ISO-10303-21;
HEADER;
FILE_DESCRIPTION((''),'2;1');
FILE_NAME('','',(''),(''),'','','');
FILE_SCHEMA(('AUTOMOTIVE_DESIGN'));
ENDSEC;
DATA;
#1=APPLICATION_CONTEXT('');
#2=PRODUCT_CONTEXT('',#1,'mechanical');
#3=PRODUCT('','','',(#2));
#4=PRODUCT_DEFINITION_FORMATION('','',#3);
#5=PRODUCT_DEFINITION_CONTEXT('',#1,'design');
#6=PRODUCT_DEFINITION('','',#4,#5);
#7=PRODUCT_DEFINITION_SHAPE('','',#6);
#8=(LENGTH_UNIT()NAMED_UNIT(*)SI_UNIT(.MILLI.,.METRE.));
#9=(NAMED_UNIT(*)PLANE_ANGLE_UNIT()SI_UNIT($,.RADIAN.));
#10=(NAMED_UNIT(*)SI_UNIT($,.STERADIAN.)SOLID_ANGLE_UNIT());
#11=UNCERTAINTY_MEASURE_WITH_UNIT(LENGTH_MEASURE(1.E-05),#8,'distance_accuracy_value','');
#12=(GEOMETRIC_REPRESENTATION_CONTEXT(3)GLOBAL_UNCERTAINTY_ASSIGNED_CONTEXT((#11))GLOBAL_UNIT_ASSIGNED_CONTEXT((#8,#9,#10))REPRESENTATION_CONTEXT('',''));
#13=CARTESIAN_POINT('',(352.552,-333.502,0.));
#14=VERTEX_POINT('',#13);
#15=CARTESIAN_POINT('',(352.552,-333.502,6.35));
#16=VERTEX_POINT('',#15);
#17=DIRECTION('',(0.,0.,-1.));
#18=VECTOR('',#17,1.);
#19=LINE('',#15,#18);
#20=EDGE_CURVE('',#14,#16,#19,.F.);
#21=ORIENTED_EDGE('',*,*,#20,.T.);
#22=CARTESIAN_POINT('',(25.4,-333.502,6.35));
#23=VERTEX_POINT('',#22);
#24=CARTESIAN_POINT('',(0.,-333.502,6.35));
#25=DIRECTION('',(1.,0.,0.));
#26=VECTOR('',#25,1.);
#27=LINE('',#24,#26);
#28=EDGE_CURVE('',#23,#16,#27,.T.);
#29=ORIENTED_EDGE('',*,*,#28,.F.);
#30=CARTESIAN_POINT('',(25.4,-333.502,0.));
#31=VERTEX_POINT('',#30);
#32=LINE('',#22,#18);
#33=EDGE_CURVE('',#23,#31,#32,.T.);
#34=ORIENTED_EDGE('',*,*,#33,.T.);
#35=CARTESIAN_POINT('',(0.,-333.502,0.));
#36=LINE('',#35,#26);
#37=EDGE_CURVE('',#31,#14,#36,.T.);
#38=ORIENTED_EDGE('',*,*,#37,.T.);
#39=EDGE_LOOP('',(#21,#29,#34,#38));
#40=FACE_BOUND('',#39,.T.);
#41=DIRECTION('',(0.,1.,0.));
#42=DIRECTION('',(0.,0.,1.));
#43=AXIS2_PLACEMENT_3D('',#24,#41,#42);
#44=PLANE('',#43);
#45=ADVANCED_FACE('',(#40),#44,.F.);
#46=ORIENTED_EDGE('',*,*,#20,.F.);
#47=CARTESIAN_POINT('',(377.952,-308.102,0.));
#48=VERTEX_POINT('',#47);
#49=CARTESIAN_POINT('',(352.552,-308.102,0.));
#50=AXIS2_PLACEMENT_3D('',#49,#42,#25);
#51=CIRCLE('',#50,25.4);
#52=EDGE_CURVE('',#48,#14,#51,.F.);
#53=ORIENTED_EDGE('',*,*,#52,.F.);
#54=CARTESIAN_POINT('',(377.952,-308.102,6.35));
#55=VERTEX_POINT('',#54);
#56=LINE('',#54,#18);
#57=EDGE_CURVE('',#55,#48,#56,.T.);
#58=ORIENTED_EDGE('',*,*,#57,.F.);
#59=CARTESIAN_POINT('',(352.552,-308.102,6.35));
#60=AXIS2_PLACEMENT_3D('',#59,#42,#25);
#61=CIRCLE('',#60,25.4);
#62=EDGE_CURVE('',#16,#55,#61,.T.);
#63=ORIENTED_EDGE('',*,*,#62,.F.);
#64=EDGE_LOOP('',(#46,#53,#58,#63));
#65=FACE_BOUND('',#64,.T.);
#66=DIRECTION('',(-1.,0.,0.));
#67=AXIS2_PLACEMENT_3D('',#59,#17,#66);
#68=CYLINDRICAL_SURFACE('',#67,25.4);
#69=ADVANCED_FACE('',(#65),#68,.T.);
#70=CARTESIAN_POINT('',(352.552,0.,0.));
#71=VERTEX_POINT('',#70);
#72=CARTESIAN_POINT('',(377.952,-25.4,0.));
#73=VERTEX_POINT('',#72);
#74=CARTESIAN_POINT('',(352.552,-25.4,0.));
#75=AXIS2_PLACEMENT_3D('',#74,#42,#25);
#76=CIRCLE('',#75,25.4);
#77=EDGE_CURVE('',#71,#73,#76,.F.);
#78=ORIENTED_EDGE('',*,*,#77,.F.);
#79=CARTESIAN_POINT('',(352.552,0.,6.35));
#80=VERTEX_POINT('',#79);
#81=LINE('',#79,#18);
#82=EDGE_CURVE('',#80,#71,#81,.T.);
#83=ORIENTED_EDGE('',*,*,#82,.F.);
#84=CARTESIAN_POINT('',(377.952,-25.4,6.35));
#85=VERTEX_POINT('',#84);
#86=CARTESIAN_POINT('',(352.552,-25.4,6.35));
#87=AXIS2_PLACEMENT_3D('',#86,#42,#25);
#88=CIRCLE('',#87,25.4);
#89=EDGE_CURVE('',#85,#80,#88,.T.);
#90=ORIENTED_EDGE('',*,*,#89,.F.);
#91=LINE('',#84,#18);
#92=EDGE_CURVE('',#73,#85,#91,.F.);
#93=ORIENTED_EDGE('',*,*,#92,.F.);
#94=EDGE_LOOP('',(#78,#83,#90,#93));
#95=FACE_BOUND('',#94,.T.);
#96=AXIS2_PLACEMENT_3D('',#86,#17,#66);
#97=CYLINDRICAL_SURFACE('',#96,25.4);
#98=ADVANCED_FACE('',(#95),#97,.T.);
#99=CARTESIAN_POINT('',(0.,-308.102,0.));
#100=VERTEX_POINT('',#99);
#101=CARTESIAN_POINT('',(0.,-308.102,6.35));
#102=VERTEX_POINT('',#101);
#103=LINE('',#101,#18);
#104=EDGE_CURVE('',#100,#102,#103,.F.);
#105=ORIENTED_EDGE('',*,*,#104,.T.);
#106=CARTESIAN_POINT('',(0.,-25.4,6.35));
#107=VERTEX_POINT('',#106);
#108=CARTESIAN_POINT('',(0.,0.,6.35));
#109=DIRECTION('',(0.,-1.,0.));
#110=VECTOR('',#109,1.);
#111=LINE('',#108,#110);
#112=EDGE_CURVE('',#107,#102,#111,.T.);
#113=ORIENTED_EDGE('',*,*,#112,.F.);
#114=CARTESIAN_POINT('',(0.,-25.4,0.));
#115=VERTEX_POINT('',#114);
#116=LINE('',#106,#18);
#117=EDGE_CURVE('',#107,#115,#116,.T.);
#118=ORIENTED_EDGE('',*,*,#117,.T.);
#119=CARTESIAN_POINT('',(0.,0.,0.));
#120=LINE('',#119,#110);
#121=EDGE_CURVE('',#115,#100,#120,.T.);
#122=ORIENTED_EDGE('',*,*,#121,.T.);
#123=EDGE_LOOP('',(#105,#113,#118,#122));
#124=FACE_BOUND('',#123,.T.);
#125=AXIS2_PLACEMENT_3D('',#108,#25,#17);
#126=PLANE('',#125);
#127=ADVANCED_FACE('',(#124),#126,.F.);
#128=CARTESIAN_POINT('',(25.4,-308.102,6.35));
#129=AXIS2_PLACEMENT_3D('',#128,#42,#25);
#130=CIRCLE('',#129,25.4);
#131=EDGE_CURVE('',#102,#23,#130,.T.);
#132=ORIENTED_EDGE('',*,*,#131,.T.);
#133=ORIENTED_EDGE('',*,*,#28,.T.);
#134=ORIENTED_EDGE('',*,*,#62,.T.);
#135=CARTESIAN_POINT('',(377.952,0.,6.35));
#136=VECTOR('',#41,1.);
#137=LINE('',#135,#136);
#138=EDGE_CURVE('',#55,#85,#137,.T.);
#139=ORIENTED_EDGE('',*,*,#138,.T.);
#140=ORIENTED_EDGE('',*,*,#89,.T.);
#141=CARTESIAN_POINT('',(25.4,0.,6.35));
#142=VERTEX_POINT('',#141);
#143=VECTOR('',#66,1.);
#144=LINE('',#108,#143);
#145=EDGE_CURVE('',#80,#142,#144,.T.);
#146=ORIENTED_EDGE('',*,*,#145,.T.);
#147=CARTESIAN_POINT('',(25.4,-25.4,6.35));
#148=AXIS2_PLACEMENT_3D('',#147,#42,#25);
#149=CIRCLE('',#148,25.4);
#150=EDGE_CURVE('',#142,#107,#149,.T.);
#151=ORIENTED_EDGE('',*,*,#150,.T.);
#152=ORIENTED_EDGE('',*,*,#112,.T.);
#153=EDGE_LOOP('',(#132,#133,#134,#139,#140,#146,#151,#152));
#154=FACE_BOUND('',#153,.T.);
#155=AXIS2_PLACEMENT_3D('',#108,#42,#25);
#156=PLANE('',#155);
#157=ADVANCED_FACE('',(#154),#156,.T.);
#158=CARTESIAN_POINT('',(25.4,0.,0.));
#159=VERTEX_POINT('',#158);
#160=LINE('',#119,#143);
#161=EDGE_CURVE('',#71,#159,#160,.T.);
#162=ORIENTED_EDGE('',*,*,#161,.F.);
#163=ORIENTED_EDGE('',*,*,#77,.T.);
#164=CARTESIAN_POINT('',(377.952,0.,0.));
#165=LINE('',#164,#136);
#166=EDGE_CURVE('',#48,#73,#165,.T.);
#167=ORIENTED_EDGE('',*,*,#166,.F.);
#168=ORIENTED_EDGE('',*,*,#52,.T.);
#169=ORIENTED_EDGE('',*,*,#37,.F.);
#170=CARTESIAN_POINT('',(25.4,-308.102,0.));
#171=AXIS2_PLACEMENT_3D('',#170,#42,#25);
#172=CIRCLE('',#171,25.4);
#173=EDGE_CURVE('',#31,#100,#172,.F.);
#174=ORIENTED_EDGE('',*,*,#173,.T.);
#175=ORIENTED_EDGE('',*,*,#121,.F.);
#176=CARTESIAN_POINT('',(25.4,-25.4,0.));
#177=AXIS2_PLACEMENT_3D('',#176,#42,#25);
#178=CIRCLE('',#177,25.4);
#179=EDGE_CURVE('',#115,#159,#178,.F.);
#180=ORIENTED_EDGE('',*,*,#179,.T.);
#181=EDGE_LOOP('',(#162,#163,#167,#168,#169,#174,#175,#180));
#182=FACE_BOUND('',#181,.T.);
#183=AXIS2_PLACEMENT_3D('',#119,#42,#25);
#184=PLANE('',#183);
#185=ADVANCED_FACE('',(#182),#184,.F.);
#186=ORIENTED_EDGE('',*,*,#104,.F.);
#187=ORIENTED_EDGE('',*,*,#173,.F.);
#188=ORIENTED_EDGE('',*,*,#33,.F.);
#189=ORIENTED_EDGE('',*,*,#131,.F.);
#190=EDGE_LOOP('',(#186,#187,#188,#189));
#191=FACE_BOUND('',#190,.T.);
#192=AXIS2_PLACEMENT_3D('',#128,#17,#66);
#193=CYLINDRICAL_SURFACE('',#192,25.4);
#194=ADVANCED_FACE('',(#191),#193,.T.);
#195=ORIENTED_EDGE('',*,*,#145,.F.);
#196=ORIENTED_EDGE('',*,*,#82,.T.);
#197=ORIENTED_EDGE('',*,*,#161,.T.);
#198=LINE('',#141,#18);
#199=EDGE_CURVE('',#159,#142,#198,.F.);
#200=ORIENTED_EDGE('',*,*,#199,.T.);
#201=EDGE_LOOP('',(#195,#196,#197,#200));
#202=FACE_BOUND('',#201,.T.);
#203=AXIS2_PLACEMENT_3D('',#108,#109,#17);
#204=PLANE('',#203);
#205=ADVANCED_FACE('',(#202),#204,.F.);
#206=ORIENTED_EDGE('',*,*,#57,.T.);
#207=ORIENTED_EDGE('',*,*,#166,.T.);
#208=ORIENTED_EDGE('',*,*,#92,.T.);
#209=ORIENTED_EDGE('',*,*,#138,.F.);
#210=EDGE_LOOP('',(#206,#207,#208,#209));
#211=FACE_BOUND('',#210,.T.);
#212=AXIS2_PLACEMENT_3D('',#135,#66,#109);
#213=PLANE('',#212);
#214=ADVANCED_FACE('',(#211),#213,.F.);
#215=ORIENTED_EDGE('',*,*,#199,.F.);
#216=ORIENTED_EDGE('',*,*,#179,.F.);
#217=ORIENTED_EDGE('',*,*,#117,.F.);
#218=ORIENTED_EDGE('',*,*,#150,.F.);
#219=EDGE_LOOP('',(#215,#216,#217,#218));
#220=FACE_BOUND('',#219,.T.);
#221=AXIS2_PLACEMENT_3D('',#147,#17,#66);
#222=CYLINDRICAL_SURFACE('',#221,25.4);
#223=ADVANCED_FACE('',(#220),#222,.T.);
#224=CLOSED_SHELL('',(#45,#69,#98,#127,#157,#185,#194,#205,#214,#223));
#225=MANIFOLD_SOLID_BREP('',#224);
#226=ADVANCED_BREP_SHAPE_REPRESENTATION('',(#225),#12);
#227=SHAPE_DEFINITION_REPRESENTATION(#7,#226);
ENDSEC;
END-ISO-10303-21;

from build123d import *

# Parameters (mm, degrees)
SKETCH1_W           = 377.952
SKETCH1_H           = 333.502
BOSS_EXTRUDE1_DEPTH = 6.35
FILLET1_R           = 25.4
FILLET2_R           = 25.4
FILLET3_R           = 25.4
FILLET4_R           = 25.4


with BuildPart() as part:
    # Sketch1 → Boss-Extrude1 (new body)
    with BuildSketch(Plane.XY):
        with Locations((188.976, -166.751)):
            Rectangle(SKETCH1_W, SKETCH1_H)
    extrude(amount=BOSS_EXTRUDE1_DEPTH)

    # Fillet1
    fillet1_edges = [part.edges().sort_by_distance(p)[0] for p in [
        (377.952, 0, 3.175),
    ]]
    fillet(fillet1_edges, radius=FILLET1_R)

    # Fillet2
    fillet2_edges = [part.edges().sort_by_distance(p)[0] for p in [
        (377.952, -333.502, 3.175),
    ]]
    fillet(fillet2_edges, radius=FILLET2_R)

    # Fillet3
    fillet3_edges = [part.edges().sort_by_distance(p)[0] for p in [
        (0, -333.502, 3.175),
    ]]
    fillet(fillet3_edges, radius=FILLET3_R)

    # Fillet4
    fillet4_edges = [part.edges().sort_by_distance(p)[0] for p in [
        (0, 0, 3.175),
    ]]
    fillet(fillet4_edges, radius=FILLET4_R)


solid = part.part
